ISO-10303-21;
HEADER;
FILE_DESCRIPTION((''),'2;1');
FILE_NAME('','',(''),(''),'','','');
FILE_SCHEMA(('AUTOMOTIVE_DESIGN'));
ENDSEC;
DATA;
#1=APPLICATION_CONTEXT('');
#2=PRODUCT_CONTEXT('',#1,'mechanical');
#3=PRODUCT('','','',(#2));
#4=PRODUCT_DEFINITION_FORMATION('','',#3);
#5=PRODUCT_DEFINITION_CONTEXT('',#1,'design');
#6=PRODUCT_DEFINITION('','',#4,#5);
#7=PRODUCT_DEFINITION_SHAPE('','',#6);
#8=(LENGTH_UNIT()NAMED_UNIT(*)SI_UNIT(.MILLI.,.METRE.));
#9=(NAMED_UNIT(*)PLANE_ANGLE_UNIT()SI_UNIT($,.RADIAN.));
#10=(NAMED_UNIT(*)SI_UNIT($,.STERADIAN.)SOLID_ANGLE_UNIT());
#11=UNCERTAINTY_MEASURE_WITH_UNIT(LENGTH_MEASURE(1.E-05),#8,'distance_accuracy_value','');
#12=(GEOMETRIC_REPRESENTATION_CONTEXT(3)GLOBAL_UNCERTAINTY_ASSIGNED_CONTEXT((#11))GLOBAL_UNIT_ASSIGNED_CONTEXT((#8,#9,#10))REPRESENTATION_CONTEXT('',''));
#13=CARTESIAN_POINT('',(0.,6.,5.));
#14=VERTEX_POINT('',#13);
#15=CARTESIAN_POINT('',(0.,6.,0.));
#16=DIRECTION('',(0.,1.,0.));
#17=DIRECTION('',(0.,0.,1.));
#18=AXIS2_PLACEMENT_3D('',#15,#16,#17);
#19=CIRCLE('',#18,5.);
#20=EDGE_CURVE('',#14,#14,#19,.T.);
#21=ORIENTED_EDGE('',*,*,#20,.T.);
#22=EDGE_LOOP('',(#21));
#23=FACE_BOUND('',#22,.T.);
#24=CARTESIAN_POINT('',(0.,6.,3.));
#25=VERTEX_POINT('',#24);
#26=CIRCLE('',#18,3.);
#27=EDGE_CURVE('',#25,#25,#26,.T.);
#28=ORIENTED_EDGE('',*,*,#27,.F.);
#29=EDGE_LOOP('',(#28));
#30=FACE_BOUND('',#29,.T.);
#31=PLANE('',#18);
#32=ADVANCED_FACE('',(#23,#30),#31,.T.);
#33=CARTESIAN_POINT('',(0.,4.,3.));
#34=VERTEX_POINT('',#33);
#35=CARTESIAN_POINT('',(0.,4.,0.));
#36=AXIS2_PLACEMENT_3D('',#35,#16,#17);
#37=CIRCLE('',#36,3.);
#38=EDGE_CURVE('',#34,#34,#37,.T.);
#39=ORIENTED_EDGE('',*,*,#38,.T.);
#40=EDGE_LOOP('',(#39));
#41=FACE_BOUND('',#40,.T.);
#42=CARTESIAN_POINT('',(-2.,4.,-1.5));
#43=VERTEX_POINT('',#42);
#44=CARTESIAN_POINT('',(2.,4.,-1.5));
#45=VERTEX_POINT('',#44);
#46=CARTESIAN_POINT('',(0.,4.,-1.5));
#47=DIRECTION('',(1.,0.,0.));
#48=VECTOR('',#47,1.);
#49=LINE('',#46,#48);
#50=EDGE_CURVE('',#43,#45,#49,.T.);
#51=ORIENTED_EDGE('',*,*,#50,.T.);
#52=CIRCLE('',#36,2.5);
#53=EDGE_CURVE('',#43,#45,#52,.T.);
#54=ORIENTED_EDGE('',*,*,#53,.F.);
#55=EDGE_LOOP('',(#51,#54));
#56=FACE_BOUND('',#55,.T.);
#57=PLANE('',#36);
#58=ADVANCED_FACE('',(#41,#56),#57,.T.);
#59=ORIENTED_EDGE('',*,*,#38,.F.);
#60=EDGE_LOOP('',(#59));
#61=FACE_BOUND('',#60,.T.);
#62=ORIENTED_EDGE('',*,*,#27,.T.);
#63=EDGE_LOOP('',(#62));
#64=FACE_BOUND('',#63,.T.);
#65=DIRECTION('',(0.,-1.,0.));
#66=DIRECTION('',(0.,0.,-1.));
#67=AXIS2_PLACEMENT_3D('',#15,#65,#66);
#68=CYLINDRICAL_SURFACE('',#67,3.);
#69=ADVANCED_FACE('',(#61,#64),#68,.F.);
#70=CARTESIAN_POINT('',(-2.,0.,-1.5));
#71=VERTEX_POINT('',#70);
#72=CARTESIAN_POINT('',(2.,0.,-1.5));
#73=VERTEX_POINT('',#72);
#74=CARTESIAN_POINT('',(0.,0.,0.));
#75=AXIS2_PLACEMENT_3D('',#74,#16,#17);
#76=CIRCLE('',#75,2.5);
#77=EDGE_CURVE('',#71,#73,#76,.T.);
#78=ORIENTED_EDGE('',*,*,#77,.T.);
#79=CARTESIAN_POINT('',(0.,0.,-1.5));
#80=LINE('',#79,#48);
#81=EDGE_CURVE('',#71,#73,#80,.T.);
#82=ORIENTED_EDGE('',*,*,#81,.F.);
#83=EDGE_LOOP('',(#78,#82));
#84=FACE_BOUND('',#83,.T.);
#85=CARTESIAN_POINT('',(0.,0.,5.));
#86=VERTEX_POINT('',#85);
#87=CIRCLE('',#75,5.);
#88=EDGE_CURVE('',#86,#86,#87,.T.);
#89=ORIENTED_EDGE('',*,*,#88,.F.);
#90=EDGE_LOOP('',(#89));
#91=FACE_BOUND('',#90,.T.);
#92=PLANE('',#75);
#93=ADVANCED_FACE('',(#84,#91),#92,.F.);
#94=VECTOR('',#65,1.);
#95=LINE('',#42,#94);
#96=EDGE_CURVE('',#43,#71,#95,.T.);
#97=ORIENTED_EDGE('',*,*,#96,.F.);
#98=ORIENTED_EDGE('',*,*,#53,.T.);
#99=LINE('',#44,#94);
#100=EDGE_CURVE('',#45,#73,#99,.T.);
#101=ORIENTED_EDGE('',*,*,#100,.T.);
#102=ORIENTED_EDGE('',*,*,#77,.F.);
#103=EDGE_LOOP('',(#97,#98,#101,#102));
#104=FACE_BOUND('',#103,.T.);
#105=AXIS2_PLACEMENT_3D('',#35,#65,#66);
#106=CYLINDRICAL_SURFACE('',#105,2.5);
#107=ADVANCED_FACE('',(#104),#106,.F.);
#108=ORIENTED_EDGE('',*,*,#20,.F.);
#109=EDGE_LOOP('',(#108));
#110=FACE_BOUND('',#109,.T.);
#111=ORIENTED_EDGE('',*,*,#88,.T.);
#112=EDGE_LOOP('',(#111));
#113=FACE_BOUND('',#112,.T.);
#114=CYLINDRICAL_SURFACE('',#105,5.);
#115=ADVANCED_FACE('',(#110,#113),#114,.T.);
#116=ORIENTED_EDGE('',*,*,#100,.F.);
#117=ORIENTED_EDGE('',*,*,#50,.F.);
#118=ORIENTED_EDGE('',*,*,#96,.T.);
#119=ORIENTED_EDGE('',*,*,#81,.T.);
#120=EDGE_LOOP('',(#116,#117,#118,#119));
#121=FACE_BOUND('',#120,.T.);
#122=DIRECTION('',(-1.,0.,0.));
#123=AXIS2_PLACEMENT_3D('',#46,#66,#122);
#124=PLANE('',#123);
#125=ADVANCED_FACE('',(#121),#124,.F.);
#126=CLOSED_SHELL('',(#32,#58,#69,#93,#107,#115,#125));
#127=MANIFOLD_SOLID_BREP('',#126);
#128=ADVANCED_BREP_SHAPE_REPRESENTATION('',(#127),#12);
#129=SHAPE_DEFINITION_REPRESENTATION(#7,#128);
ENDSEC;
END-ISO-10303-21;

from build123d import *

# Parameters (mm, degrees)
SKETCH_1_R      = 5
SKETCH_1_R_2    = 3
EXTRUDE_1_DEPTH = 4
EXTRUDE_START   = 4
SKETCH_1_3_R    = 5
SKETCH_1_3_R_2  = 3
EXTRUDE_2_DEPTH = 2


with BuildPart() as part:
    # 草图1 → 凸台-拉伸1 (new body)
    # profile 1 of 2: a face of its own
    with BuildSketch(Plane(origin=(0, 0, 0), x_dir=(1, 0, 0), z_dir=(0, 1, 0))):
        with Locations(Location((0, 0, 0), (0, 0, 270))):
            Circle(SKETCH_1_R)
        with Locations(Location((0, 0, 0), (0, 0, 270))):
            Circle(SKETCH_1_R_2, mode=Mode.SUBTRACT)
    # profile 2 of 2: a face of its own
    with BuildSketch(Plane(origin=(0, 0, 0), x_dir=(1, 0, 0), z_dir=(0, 1, 0))):
        with Locations(Location((0, 0, 0), (0, 0, 270))):
            Circle(SKETCH_1_R_2)
        with BuildLine():
            ThreePointArc((-2, 1.5), (0, -2.5), (2, 1.5))
            Line((2, 1.5), (-2, 1.5))
        make_face(mode=Mode.SUBTRACT)
    extrude(amount=EXTRUDE_1_DEPTH)

    # 草图1<3> → 凸台-拉伸2 (add)
    with BuildSketch(Plane(origin=(0, 0, 0), x_dir=(1, 0, 0), z_dir=(0, 1, 0)).offset(EXTRUDE_START)):
        with Locations(Location((0, 0, 0), (0, 0, 270))):
            Circle(SKETCH_1_3_R)
        with Locations(Location((0, 0, 0), (0, 0, 270))):
            Circle(SKETCH_1_3_R_2, mode=Mode.SUBTRACT)
    extrude(amount=EXTRUDE_2_DEPTH)


solid = part.part
